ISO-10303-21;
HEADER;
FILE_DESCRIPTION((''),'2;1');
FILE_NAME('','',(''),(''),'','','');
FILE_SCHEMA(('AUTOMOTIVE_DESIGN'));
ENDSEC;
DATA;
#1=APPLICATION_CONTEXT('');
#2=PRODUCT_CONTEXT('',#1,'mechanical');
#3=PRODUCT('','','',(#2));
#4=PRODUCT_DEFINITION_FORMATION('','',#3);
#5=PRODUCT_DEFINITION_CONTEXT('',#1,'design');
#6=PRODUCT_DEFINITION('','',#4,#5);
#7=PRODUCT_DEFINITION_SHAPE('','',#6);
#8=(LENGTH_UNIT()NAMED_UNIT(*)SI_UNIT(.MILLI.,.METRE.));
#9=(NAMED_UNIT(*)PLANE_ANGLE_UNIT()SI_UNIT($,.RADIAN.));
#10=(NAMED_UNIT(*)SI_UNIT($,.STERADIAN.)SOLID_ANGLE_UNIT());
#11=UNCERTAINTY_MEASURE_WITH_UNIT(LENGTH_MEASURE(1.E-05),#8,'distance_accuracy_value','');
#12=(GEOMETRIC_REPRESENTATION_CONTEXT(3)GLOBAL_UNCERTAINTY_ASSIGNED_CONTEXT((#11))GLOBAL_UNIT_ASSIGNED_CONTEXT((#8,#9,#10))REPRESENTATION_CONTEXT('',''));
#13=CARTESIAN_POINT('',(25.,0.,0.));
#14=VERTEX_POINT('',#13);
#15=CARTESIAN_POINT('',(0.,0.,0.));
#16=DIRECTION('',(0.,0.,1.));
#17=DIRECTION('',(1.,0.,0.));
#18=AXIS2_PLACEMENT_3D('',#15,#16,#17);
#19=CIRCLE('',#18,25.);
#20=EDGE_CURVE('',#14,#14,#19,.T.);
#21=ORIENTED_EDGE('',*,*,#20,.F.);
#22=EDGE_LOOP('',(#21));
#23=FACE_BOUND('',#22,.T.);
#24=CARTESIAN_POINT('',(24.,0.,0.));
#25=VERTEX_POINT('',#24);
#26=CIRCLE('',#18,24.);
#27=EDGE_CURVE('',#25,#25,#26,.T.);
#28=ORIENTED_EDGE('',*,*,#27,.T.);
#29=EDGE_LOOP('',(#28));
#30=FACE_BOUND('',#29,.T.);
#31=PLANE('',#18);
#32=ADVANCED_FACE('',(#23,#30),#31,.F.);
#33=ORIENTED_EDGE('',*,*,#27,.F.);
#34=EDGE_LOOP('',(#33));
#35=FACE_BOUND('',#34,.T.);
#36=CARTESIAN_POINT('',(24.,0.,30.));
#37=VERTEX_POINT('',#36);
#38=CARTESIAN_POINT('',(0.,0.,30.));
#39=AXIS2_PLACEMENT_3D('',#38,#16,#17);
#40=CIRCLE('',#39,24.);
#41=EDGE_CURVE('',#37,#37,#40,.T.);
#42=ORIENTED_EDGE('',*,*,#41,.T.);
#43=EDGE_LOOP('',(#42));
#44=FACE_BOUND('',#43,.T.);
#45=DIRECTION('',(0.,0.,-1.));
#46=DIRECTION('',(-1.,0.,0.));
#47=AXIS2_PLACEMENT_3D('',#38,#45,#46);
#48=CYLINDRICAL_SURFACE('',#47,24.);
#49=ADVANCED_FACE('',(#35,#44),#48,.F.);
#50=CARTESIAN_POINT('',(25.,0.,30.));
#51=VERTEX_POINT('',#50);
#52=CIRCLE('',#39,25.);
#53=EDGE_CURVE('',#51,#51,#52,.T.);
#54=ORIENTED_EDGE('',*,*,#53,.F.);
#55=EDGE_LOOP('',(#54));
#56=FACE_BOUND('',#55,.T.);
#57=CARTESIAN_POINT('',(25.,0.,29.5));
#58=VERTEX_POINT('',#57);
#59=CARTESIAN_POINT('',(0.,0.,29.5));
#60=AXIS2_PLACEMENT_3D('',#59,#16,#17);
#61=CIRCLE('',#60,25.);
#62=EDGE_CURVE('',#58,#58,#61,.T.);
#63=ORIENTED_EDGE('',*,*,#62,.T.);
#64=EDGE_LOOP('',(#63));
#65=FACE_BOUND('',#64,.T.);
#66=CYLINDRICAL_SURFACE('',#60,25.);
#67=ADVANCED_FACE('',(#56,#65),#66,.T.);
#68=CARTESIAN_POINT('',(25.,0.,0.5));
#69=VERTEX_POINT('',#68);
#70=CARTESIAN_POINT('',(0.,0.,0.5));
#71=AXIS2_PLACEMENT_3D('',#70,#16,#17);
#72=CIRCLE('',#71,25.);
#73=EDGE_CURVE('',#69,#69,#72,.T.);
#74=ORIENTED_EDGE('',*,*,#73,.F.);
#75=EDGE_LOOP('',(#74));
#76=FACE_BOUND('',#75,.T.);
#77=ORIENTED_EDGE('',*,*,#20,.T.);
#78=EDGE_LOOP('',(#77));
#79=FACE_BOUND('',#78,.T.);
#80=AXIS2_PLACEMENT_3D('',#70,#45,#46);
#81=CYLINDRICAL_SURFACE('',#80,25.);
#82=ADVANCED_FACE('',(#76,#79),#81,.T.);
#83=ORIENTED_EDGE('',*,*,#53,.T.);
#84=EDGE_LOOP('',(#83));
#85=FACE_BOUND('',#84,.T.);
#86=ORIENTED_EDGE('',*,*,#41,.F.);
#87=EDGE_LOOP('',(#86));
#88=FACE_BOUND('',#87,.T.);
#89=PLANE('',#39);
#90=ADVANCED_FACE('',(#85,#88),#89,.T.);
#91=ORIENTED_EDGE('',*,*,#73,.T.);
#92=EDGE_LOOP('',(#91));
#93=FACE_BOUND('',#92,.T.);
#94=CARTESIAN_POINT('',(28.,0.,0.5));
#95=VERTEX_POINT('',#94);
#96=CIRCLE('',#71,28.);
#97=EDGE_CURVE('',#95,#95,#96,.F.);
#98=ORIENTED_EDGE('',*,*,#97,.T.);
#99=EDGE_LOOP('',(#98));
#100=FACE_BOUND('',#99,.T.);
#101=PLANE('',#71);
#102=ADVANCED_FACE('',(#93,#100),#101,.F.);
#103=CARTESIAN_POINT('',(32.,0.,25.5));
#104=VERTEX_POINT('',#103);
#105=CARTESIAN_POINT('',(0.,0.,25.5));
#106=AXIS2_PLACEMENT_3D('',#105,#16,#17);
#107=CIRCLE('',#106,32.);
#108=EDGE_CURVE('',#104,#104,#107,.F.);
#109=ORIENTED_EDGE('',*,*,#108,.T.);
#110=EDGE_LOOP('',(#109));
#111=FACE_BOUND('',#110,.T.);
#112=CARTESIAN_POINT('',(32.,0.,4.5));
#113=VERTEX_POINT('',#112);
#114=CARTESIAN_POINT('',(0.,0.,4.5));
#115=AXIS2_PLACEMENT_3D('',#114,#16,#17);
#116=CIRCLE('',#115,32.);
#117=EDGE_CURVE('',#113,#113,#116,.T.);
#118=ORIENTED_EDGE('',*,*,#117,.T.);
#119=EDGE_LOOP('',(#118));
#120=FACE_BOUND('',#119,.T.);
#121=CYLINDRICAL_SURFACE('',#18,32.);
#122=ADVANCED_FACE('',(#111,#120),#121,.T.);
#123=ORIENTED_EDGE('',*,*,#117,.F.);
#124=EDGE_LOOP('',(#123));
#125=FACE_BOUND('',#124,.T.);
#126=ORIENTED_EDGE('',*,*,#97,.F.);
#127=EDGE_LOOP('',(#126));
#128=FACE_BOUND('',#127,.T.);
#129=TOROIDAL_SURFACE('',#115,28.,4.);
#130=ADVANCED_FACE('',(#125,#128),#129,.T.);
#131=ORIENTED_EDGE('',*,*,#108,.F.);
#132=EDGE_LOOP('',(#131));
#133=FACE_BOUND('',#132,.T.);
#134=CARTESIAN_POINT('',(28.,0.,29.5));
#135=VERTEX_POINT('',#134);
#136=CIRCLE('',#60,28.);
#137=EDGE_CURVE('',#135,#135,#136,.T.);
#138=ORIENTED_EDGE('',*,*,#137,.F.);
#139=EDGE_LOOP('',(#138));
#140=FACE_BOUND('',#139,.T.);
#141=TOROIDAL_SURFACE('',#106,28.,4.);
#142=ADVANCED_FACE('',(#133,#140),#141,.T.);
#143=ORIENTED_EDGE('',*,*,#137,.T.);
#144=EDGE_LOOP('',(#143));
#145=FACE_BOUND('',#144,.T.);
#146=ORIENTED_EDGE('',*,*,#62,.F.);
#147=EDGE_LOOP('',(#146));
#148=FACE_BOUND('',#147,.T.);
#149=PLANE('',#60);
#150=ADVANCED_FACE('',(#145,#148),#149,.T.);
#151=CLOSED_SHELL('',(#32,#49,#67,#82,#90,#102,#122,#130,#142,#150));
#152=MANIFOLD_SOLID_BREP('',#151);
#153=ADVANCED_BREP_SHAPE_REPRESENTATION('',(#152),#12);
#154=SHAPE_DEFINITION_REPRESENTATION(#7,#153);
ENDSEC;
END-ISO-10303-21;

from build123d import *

# Parameters (mm, degrees)
ESQUISSE1_R                     = 25
ESQUISSE1_R_2                   = 24
BOSS_EXTRU_1_DEPTH              = 30
ESQUISSE2_R                     = 32
ESQUISSE2_R_2                   = 25
BOSS_EXTRU_2_DEPTH              = 30
ESQUISSE3_R                     = 35
ESQUISSE3_R_2                   = 25
ENL_V_DE_MAT_EXTRU_MINCE1_DEPTH = 0.5
CONG_1_R                        = 4


with BuildPart() as part:
    # Esquisse1 → Boss.-Extru.1 (new body)
    with BuildSketch(Plane.XY):
        Circle(ESQUISSE1_R)
        Circle(ESQUISSE1_R_2, mode=Mode.SUBTRACT)
    extrude(amount=BOSS_EXTRU_1_DEPTH)

    # Esquisse2 → Boss.-Extru.2 (add)
    with BuildSketch(Plane.XY.offset(30)):
        Circle(ESQUISSE2_R)
        Circle(ESQUISSE2_R_2, mode=Mode.SUBTRACT)
    extrude(amount=-BOSS_EXTRU_2_DEPTH)

    # Esquisse3 → Enlèv. de mat.-Extru.-Mince1 (cut)
    with BuildSketch(Plane.XY.offset(30)):
        Circle(ESQUISSE3_R)
        Circle(ESQUISSE3_R_2, mode=Mode.SUBTRACT)
    enl_v_de_mat_extru_mince1 = extrude(amount=-ENL_V_DE_MAT_EXTRU_MINCE1_DEPTH, mode=Mode.SUBTRACT)

    # Symétrie1: Enlèv. de mat.-Extru.-Mince1 across plane
    add(enl_v_de_mat_extru_mince1.mirror(Plane.XY.offset(15)), mode=Mode.SUBTRACT)

    # Congé1
    cong_1_edges = [part.edges().sort_by_distance(p)[0] for p in [
        (-32, 0, 29.5),
        (-32, 0, 0.5),
    ]]
    fillet(cong_1_edges, radius=CONG_1_R)


solid = part.part
